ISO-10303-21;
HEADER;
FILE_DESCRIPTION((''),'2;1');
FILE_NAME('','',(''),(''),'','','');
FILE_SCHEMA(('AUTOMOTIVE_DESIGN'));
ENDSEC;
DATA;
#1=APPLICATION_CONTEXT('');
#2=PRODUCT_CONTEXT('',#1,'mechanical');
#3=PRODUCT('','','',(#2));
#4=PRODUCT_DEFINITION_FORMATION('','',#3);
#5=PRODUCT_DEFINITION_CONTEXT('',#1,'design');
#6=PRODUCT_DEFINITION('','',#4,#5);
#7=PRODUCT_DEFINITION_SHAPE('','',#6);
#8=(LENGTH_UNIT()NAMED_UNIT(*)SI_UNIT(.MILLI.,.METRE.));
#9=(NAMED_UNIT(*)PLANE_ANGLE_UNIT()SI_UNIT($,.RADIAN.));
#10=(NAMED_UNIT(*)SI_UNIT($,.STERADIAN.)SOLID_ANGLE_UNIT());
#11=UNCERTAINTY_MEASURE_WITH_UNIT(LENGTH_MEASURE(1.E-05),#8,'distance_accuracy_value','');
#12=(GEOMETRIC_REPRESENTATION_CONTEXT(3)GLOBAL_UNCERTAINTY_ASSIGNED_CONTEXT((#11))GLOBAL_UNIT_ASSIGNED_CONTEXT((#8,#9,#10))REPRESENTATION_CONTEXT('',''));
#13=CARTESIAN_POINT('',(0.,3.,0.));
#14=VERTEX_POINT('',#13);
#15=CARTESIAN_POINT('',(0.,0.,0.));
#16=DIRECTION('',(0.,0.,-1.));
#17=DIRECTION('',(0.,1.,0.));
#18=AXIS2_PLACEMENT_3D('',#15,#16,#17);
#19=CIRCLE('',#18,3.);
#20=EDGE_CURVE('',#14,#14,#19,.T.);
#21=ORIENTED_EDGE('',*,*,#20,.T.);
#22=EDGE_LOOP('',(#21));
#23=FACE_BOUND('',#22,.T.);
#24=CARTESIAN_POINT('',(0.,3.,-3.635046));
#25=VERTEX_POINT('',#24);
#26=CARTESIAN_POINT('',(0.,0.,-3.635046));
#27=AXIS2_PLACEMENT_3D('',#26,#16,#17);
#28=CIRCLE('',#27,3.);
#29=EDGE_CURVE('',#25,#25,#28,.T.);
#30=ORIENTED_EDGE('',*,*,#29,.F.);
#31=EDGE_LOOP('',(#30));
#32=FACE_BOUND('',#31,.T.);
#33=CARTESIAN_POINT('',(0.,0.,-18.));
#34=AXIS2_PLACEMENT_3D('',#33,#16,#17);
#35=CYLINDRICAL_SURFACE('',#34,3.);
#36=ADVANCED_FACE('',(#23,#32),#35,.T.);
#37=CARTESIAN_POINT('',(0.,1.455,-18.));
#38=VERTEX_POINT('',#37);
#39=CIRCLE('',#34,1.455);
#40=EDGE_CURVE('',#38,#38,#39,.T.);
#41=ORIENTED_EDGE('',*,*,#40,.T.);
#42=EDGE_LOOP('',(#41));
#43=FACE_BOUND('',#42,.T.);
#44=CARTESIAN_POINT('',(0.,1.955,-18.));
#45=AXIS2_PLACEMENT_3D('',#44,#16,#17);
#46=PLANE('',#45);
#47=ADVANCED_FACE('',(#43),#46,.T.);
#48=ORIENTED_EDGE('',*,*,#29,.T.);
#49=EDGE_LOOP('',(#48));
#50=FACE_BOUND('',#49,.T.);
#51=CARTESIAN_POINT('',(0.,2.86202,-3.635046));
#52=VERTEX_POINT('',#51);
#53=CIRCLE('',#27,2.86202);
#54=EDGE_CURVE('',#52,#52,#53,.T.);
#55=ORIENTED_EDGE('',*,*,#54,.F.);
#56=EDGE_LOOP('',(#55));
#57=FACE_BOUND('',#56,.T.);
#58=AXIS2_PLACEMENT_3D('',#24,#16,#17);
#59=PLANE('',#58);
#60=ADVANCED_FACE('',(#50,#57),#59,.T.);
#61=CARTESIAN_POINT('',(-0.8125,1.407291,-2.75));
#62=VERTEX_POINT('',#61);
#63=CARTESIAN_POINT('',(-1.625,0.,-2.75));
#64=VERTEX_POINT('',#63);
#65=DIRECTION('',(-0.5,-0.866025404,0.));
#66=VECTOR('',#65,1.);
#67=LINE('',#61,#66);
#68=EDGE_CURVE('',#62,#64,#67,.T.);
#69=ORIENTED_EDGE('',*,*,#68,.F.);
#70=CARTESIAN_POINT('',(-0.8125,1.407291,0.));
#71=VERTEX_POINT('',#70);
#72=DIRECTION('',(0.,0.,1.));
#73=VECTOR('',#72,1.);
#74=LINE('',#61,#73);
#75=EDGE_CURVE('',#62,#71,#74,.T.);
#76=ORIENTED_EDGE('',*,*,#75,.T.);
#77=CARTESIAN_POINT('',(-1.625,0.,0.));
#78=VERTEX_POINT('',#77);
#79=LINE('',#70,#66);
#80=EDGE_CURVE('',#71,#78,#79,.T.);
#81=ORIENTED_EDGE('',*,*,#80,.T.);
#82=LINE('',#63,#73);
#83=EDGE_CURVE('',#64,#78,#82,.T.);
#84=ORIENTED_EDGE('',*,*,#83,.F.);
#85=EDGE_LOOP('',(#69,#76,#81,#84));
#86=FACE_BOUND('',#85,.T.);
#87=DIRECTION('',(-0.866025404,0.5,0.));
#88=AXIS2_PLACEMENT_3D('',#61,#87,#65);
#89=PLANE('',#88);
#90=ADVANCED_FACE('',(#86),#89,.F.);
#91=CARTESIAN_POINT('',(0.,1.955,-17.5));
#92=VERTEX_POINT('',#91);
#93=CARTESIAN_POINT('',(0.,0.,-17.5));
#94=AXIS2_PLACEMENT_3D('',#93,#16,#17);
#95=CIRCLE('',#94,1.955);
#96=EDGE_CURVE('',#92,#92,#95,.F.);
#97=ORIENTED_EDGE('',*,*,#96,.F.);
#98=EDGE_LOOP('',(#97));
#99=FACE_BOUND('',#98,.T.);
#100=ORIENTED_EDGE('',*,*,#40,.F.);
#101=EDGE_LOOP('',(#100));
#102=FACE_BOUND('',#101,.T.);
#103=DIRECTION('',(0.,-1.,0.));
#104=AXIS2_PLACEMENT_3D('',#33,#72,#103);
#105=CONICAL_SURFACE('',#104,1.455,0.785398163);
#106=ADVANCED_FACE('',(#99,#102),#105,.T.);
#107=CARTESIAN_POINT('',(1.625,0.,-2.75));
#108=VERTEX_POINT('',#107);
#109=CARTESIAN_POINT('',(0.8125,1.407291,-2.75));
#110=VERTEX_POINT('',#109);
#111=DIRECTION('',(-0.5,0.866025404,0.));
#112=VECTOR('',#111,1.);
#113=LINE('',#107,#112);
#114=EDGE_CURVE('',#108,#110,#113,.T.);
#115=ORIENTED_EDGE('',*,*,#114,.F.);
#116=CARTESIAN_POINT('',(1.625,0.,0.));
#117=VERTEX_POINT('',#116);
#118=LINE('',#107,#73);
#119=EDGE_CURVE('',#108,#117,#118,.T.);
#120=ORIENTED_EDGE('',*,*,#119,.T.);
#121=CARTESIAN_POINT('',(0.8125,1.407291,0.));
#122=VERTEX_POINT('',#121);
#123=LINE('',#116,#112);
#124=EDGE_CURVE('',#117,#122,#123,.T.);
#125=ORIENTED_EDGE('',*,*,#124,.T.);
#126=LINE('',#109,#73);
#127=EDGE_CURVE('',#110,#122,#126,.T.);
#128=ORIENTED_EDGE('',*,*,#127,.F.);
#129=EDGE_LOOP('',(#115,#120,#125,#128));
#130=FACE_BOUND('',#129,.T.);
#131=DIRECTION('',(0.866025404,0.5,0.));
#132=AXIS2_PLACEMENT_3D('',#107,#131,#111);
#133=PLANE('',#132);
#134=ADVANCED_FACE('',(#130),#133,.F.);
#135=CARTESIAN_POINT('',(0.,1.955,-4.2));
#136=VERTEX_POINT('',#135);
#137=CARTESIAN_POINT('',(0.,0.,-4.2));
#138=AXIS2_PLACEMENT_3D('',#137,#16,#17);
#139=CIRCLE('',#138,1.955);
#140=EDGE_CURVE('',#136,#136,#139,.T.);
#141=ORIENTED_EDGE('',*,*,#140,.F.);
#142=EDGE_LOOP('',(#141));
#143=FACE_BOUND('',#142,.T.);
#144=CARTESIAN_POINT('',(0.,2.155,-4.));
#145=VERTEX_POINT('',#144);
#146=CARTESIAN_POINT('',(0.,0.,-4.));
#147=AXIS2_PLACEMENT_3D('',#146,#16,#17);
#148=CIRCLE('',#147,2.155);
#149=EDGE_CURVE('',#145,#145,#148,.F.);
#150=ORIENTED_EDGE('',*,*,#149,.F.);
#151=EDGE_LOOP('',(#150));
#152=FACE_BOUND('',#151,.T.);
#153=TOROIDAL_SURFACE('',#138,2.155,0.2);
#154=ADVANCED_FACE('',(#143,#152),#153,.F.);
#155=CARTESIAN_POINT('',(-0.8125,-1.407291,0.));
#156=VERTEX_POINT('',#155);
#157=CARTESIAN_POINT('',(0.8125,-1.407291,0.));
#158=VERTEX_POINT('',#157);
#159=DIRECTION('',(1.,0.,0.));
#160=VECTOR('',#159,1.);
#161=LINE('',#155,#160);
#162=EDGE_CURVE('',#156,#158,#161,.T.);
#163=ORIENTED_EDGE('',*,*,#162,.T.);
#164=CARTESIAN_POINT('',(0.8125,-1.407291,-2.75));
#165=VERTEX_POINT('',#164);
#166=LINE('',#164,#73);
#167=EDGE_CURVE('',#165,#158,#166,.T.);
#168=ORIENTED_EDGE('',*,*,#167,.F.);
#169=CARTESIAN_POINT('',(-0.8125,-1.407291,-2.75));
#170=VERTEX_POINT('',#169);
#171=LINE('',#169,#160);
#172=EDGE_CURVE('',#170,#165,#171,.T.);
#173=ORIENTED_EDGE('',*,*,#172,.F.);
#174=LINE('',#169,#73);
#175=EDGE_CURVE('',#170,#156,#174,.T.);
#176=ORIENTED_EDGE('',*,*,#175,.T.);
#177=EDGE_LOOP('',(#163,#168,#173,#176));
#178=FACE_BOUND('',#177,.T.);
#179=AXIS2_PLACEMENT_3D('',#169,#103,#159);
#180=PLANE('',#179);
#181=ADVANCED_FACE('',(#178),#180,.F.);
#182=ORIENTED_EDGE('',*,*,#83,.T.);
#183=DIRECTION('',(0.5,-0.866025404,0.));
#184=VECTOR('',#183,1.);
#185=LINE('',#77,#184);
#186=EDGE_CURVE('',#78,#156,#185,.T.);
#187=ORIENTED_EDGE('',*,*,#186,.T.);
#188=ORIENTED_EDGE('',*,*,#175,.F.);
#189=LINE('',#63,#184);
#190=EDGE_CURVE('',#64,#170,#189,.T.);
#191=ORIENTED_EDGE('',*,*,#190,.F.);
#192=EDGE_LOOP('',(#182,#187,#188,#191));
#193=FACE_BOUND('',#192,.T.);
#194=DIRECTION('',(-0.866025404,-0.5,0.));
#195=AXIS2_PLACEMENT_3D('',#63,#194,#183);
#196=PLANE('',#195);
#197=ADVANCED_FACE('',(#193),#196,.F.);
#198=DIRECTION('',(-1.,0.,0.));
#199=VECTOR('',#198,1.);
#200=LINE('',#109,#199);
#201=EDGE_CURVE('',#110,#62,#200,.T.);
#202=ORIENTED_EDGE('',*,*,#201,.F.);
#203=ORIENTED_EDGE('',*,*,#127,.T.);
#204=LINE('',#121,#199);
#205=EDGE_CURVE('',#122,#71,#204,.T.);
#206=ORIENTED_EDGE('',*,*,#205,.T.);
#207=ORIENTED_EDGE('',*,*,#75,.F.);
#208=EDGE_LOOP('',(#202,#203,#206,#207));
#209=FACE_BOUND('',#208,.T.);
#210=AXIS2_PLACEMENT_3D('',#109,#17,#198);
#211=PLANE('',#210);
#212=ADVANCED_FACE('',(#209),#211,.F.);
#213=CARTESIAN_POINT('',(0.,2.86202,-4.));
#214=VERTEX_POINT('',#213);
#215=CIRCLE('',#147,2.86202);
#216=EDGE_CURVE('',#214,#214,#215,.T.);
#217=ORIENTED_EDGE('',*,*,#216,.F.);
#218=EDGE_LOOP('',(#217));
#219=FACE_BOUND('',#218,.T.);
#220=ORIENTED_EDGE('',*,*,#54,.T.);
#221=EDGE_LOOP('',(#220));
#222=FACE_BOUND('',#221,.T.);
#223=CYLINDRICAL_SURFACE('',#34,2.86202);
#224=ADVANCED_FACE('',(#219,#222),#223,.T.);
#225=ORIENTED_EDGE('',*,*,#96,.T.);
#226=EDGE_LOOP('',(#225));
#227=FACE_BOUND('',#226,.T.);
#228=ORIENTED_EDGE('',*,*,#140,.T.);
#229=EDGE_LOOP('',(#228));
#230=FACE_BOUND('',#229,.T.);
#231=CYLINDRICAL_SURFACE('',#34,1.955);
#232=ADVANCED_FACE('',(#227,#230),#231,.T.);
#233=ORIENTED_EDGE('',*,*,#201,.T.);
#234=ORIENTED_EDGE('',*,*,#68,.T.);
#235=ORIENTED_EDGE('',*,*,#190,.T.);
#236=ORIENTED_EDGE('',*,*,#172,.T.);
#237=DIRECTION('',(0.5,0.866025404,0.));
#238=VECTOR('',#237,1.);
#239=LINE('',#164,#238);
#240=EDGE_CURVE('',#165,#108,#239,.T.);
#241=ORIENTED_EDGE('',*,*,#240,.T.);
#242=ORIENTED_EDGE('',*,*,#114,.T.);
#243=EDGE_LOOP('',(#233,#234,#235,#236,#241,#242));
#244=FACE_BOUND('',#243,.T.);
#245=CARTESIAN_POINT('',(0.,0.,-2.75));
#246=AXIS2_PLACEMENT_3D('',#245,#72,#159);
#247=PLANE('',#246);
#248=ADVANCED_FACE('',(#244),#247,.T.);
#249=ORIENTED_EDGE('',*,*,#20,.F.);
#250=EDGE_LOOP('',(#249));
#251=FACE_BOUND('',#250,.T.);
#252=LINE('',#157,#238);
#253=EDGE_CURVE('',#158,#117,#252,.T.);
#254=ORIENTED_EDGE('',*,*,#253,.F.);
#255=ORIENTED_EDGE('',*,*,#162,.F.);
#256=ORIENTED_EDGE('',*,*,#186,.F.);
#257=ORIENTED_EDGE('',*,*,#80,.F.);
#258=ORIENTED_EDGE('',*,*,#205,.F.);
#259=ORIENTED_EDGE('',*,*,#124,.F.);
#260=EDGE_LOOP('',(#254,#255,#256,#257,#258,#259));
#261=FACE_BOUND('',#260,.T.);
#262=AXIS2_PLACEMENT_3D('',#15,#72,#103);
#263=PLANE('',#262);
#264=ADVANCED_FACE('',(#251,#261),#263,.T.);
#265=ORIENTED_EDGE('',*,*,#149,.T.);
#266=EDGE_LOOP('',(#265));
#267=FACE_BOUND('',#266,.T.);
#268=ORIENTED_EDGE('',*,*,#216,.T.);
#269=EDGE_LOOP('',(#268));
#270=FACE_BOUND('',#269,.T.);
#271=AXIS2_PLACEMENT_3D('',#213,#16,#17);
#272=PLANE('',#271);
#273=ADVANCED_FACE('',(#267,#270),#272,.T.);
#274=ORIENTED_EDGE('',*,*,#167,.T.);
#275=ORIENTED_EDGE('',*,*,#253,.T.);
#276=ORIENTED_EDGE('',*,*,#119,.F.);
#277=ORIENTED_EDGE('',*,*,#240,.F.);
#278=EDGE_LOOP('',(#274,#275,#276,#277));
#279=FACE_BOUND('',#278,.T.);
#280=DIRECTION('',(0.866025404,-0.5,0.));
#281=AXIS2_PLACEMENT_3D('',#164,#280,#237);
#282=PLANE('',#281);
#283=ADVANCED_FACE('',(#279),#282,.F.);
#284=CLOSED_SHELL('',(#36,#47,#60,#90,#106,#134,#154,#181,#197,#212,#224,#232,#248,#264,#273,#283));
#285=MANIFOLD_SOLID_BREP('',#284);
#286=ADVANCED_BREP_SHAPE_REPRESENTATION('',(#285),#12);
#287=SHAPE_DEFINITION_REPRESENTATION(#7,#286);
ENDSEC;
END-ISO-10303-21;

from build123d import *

# Parameters (mm, degrees)
REDONDEO1_R           = 0.2
CHAFL_N1_SIZE         = 0.5
CORTAR_EXTRUIR1_DEPTH = 2.75


with BuildPart() as part:
    # Croquis1 → Revolución1 (revolve)
    with BuildSketch(Plane(origin=(0, 0, 0), x_dir=(0, 0, -1), z_dir=(1, 0, 0))):
        Polygon((0, 3), (3.63504566, 3), (3.63504566, 2.862019845), (4, 2.862019845), (4, 1.955), (18, 1.955), (18, 0), (0, 0), align=None)
    revolve(axis=Axis((0, 0, -18), (0, 0, 1)))

    # Redondeo1
    redondeo1_edges = [part.edges().sort_by_distance(p)[0] for p in [
        (0, -1.955, -4),
    ]]
    fillet(redondeo1_edges, radius=REDONDEO1_R)

    # Chaflán1
    chafl_n1_edges = [part.edges().sort_by_distance(p)[0] for p in [
        (0, -1.955, -18),
    ]]
    chamfer(chafl_n1_edges, length=CHAFL_N1_SIZE)

    # Croquis2 → Cortar-Extruir1 (cut)
    with BuildSketch(Plane.XY):
        Polygon((-1.625, 0), (-0.8125, -1.407291281), (0.8125, -1.407291281), (1.625, 0), (0.8125, 1.407291281), (-0.8125, 1.407291281), align=None)
    extrude(amount=-CORTAR_EXTRUIR1_DEPTH, mode=Mode.SUBTRACT)


solid = part.part
